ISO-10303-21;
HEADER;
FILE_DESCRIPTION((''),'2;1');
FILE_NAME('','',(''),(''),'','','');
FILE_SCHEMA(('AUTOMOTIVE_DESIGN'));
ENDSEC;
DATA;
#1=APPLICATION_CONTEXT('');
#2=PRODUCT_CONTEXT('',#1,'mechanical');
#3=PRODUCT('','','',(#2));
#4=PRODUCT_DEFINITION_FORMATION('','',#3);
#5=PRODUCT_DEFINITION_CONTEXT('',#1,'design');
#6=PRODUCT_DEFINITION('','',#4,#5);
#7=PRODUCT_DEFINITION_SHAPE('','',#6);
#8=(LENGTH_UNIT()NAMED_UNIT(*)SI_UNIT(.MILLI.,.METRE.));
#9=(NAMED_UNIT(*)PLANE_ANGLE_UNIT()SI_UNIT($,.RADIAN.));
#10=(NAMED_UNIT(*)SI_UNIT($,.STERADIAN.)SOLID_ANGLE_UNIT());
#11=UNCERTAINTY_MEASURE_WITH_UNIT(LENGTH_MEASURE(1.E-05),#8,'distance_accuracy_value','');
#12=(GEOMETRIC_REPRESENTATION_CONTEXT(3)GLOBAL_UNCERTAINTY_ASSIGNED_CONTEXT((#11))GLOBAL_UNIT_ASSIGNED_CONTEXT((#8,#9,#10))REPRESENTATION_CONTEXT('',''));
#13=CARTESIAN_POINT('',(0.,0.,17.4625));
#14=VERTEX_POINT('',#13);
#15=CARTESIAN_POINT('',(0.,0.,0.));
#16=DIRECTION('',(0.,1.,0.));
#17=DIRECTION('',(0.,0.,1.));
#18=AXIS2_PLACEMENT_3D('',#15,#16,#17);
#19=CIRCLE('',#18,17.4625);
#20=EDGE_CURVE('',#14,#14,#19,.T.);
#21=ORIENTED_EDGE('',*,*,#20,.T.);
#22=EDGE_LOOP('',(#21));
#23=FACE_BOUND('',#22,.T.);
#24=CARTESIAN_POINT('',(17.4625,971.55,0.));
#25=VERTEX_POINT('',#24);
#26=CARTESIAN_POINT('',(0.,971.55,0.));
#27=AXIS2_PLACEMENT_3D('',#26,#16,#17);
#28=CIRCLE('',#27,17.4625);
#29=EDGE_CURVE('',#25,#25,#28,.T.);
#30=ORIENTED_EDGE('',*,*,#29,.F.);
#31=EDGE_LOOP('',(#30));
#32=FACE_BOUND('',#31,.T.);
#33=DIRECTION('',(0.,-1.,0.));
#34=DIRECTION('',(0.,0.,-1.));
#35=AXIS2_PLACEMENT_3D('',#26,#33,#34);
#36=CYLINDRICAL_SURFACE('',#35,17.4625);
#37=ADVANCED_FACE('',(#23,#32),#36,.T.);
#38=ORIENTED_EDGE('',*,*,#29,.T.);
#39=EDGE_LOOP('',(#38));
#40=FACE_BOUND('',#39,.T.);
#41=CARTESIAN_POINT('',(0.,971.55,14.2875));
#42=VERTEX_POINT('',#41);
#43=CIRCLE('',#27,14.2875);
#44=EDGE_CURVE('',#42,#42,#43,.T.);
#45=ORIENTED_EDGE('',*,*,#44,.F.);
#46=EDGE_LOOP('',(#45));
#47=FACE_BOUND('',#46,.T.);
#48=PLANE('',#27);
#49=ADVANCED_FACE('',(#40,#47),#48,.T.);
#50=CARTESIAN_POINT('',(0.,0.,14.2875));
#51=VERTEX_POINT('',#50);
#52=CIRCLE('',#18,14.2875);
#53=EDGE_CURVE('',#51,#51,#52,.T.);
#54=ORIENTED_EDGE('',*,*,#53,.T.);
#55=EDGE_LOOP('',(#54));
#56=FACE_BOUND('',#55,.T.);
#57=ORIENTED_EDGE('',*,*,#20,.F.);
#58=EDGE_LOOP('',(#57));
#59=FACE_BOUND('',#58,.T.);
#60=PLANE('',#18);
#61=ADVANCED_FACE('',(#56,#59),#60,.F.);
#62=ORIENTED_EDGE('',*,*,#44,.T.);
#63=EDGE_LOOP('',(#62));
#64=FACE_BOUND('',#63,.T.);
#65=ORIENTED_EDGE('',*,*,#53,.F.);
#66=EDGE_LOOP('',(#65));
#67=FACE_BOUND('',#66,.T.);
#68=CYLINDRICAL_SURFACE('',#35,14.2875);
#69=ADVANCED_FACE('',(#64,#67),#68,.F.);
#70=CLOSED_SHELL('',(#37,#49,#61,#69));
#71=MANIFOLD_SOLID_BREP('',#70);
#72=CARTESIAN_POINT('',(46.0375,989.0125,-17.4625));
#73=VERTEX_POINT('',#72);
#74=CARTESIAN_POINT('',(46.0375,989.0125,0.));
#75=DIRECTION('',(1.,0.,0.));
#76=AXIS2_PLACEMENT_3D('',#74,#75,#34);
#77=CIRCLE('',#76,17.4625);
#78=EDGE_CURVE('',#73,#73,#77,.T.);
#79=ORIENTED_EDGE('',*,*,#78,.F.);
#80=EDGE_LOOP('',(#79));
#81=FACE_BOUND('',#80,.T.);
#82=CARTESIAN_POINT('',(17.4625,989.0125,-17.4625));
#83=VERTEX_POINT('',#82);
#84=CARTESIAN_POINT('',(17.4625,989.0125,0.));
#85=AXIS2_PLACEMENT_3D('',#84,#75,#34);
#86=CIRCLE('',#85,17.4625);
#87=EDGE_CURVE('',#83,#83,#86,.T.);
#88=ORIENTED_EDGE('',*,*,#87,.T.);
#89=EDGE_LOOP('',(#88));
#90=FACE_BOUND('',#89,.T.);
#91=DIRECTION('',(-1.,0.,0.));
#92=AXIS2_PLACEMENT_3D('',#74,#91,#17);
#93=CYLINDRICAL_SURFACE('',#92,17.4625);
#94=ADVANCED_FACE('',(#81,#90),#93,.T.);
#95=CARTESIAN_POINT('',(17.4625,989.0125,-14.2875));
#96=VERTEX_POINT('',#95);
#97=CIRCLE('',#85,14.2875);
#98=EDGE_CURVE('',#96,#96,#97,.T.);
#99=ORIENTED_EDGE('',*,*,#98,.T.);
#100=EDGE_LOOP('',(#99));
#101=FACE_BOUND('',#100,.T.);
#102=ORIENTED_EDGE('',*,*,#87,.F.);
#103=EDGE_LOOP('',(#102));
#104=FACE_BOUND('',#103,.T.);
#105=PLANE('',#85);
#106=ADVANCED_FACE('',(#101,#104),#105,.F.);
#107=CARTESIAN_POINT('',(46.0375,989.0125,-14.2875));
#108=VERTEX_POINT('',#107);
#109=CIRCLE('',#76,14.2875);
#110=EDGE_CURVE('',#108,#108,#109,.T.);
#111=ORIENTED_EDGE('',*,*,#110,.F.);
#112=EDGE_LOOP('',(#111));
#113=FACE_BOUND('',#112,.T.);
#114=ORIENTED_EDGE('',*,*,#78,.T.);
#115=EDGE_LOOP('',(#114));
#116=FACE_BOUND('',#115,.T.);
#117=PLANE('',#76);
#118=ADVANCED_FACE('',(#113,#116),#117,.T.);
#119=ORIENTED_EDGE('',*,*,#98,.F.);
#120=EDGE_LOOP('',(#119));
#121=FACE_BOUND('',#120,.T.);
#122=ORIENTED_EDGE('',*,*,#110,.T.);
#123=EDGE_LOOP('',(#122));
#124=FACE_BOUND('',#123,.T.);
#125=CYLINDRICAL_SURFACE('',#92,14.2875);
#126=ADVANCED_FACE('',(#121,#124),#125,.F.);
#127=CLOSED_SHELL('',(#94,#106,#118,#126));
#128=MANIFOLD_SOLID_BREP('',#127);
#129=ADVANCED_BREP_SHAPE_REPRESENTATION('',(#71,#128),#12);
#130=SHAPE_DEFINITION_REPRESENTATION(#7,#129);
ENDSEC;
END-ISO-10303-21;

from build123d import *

# Parameters (mm, degrees)
SKETCH1_R           = 17.4625
SKETCH1_R_2         = 14.2875
BOSS_EXTRUDE1_DEPTH = 971.55
BOSS_EXTRUDE2_START = 17.4625
SKETCH2_R           = 17.4625
SKETCH2_R_2         = 14.2875
BOSS_EXTRUDE2_DEPTH = 28.575


with BuildPart() as part:
    # Sketch1 → Boss-Extrude1 (new body)
    with BuildSketch(Plane(origin=(0, 0, 0), x_dir=(1, 0, 0), z_dir=(0, 1, 0))):
        Circle(SKETCH1_R)
        Circle(SKETCH1_R_2, mode=Mode.SUBTRACT)
    extrude(amount=BOSS_EXTRUDE1_DEPTH)


with BuildPart() as body_2:
    # Sketch2 → Boss-Extrude2 (new body)
    with BuildSketch(Plane(origin=(0, 0, 0), x_dir=(0, 0, -1), z_dir=(1, 0, 0)).offset(BOSS_EXTRUDE2_START)):
        with Locations((0, 989.0125)):
            Circle(SKETCH2_R)
        with Locations((0, 989.0125)):
            Circle(SKETCH2_R_2, mode=Mode.SUBTRACT)
    extrude(amount=BOSS_EXTRUDE2_DEPTH)


solid = Compound([part.part, body_2.part])
